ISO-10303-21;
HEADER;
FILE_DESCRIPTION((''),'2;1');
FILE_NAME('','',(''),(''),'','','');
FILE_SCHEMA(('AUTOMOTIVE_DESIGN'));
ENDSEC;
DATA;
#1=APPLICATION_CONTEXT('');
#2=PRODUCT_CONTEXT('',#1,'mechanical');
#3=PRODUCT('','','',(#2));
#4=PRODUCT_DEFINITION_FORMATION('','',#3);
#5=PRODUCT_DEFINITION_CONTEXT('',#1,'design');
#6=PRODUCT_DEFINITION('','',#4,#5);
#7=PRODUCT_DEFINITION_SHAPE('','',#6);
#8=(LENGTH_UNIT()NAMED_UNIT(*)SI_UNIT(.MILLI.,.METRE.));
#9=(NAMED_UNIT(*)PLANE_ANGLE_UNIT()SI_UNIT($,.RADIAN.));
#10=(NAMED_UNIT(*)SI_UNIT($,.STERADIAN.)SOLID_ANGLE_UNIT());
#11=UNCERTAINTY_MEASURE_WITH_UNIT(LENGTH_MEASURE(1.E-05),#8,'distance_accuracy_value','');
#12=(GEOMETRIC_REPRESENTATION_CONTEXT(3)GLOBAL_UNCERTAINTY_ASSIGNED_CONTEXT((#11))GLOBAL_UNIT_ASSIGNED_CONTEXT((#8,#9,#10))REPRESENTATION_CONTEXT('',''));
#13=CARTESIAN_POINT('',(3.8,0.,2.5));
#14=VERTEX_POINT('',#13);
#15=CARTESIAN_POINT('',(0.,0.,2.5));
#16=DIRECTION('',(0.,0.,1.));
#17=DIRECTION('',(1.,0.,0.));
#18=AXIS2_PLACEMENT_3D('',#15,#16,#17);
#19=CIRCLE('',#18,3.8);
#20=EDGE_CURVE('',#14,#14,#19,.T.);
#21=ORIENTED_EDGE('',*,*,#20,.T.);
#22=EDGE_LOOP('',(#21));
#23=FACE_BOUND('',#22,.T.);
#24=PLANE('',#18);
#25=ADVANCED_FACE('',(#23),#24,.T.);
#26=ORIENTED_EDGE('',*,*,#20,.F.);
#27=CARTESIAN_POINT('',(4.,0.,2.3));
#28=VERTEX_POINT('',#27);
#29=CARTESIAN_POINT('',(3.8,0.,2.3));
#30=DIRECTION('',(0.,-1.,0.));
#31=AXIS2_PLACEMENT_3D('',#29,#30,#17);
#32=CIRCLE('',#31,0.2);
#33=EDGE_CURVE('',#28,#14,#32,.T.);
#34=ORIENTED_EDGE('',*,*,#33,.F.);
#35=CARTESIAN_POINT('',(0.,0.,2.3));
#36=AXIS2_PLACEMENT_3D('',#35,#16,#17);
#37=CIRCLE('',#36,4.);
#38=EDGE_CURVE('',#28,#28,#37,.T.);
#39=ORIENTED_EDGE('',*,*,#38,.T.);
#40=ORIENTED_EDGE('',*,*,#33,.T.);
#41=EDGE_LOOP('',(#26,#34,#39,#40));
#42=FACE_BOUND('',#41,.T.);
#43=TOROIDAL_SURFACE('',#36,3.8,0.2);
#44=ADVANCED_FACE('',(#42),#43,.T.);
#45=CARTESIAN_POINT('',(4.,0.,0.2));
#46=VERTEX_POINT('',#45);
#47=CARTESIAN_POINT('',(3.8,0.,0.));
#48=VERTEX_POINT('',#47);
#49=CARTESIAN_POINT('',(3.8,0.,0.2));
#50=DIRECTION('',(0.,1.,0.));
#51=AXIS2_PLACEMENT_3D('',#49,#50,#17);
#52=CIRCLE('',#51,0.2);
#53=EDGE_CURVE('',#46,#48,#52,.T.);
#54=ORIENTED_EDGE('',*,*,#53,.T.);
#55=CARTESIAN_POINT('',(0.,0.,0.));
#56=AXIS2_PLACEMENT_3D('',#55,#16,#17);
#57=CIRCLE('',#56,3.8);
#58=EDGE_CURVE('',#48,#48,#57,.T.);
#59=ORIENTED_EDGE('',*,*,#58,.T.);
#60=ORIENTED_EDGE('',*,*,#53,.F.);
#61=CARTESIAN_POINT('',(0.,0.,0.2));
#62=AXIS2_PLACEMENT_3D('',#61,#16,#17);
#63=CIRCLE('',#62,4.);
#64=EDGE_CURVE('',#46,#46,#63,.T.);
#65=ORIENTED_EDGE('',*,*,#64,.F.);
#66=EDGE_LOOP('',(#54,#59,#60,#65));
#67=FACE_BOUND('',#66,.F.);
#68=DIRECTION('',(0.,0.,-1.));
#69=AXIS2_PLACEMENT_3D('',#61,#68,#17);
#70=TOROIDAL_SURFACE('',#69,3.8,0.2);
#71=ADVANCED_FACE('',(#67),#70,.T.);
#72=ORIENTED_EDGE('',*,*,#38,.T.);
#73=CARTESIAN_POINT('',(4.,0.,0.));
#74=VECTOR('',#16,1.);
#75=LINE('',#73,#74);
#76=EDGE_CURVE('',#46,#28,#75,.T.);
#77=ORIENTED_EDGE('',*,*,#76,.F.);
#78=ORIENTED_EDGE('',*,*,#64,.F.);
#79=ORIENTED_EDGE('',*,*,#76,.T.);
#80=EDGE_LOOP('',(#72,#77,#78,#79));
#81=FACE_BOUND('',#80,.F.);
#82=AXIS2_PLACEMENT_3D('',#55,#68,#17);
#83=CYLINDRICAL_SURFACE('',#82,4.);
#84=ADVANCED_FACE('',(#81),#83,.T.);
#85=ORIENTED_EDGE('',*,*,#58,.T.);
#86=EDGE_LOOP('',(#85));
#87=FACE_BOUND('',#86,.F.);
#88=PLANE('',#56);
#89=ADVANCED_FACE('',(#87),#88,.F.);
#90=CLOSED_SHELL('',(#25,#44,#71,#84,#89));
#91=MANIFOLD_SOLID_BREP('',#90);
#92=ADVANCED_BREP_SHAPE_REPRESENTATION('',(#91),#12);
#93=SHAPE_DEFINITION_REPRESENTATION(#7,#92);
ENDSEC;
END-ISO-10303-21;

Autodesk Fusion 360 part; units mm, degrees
sketch "Sketch1" plane through (0, 0, 0) normal (0, 0, 1) x (1, 0, 0)
  circle A0 centre (0, 0) radius 4
  dimension "d1" = 8
extrude "Extrude1" add sketch "Sketch1" along normal blind 2.5
fillet "Fillet1" radius 0.2 1 edges at (-3.7293, -1.4465, 2.5)
fillet "Fillet2" radius 0.2 1 edges at (-3.7293, -1.4465, 0)
